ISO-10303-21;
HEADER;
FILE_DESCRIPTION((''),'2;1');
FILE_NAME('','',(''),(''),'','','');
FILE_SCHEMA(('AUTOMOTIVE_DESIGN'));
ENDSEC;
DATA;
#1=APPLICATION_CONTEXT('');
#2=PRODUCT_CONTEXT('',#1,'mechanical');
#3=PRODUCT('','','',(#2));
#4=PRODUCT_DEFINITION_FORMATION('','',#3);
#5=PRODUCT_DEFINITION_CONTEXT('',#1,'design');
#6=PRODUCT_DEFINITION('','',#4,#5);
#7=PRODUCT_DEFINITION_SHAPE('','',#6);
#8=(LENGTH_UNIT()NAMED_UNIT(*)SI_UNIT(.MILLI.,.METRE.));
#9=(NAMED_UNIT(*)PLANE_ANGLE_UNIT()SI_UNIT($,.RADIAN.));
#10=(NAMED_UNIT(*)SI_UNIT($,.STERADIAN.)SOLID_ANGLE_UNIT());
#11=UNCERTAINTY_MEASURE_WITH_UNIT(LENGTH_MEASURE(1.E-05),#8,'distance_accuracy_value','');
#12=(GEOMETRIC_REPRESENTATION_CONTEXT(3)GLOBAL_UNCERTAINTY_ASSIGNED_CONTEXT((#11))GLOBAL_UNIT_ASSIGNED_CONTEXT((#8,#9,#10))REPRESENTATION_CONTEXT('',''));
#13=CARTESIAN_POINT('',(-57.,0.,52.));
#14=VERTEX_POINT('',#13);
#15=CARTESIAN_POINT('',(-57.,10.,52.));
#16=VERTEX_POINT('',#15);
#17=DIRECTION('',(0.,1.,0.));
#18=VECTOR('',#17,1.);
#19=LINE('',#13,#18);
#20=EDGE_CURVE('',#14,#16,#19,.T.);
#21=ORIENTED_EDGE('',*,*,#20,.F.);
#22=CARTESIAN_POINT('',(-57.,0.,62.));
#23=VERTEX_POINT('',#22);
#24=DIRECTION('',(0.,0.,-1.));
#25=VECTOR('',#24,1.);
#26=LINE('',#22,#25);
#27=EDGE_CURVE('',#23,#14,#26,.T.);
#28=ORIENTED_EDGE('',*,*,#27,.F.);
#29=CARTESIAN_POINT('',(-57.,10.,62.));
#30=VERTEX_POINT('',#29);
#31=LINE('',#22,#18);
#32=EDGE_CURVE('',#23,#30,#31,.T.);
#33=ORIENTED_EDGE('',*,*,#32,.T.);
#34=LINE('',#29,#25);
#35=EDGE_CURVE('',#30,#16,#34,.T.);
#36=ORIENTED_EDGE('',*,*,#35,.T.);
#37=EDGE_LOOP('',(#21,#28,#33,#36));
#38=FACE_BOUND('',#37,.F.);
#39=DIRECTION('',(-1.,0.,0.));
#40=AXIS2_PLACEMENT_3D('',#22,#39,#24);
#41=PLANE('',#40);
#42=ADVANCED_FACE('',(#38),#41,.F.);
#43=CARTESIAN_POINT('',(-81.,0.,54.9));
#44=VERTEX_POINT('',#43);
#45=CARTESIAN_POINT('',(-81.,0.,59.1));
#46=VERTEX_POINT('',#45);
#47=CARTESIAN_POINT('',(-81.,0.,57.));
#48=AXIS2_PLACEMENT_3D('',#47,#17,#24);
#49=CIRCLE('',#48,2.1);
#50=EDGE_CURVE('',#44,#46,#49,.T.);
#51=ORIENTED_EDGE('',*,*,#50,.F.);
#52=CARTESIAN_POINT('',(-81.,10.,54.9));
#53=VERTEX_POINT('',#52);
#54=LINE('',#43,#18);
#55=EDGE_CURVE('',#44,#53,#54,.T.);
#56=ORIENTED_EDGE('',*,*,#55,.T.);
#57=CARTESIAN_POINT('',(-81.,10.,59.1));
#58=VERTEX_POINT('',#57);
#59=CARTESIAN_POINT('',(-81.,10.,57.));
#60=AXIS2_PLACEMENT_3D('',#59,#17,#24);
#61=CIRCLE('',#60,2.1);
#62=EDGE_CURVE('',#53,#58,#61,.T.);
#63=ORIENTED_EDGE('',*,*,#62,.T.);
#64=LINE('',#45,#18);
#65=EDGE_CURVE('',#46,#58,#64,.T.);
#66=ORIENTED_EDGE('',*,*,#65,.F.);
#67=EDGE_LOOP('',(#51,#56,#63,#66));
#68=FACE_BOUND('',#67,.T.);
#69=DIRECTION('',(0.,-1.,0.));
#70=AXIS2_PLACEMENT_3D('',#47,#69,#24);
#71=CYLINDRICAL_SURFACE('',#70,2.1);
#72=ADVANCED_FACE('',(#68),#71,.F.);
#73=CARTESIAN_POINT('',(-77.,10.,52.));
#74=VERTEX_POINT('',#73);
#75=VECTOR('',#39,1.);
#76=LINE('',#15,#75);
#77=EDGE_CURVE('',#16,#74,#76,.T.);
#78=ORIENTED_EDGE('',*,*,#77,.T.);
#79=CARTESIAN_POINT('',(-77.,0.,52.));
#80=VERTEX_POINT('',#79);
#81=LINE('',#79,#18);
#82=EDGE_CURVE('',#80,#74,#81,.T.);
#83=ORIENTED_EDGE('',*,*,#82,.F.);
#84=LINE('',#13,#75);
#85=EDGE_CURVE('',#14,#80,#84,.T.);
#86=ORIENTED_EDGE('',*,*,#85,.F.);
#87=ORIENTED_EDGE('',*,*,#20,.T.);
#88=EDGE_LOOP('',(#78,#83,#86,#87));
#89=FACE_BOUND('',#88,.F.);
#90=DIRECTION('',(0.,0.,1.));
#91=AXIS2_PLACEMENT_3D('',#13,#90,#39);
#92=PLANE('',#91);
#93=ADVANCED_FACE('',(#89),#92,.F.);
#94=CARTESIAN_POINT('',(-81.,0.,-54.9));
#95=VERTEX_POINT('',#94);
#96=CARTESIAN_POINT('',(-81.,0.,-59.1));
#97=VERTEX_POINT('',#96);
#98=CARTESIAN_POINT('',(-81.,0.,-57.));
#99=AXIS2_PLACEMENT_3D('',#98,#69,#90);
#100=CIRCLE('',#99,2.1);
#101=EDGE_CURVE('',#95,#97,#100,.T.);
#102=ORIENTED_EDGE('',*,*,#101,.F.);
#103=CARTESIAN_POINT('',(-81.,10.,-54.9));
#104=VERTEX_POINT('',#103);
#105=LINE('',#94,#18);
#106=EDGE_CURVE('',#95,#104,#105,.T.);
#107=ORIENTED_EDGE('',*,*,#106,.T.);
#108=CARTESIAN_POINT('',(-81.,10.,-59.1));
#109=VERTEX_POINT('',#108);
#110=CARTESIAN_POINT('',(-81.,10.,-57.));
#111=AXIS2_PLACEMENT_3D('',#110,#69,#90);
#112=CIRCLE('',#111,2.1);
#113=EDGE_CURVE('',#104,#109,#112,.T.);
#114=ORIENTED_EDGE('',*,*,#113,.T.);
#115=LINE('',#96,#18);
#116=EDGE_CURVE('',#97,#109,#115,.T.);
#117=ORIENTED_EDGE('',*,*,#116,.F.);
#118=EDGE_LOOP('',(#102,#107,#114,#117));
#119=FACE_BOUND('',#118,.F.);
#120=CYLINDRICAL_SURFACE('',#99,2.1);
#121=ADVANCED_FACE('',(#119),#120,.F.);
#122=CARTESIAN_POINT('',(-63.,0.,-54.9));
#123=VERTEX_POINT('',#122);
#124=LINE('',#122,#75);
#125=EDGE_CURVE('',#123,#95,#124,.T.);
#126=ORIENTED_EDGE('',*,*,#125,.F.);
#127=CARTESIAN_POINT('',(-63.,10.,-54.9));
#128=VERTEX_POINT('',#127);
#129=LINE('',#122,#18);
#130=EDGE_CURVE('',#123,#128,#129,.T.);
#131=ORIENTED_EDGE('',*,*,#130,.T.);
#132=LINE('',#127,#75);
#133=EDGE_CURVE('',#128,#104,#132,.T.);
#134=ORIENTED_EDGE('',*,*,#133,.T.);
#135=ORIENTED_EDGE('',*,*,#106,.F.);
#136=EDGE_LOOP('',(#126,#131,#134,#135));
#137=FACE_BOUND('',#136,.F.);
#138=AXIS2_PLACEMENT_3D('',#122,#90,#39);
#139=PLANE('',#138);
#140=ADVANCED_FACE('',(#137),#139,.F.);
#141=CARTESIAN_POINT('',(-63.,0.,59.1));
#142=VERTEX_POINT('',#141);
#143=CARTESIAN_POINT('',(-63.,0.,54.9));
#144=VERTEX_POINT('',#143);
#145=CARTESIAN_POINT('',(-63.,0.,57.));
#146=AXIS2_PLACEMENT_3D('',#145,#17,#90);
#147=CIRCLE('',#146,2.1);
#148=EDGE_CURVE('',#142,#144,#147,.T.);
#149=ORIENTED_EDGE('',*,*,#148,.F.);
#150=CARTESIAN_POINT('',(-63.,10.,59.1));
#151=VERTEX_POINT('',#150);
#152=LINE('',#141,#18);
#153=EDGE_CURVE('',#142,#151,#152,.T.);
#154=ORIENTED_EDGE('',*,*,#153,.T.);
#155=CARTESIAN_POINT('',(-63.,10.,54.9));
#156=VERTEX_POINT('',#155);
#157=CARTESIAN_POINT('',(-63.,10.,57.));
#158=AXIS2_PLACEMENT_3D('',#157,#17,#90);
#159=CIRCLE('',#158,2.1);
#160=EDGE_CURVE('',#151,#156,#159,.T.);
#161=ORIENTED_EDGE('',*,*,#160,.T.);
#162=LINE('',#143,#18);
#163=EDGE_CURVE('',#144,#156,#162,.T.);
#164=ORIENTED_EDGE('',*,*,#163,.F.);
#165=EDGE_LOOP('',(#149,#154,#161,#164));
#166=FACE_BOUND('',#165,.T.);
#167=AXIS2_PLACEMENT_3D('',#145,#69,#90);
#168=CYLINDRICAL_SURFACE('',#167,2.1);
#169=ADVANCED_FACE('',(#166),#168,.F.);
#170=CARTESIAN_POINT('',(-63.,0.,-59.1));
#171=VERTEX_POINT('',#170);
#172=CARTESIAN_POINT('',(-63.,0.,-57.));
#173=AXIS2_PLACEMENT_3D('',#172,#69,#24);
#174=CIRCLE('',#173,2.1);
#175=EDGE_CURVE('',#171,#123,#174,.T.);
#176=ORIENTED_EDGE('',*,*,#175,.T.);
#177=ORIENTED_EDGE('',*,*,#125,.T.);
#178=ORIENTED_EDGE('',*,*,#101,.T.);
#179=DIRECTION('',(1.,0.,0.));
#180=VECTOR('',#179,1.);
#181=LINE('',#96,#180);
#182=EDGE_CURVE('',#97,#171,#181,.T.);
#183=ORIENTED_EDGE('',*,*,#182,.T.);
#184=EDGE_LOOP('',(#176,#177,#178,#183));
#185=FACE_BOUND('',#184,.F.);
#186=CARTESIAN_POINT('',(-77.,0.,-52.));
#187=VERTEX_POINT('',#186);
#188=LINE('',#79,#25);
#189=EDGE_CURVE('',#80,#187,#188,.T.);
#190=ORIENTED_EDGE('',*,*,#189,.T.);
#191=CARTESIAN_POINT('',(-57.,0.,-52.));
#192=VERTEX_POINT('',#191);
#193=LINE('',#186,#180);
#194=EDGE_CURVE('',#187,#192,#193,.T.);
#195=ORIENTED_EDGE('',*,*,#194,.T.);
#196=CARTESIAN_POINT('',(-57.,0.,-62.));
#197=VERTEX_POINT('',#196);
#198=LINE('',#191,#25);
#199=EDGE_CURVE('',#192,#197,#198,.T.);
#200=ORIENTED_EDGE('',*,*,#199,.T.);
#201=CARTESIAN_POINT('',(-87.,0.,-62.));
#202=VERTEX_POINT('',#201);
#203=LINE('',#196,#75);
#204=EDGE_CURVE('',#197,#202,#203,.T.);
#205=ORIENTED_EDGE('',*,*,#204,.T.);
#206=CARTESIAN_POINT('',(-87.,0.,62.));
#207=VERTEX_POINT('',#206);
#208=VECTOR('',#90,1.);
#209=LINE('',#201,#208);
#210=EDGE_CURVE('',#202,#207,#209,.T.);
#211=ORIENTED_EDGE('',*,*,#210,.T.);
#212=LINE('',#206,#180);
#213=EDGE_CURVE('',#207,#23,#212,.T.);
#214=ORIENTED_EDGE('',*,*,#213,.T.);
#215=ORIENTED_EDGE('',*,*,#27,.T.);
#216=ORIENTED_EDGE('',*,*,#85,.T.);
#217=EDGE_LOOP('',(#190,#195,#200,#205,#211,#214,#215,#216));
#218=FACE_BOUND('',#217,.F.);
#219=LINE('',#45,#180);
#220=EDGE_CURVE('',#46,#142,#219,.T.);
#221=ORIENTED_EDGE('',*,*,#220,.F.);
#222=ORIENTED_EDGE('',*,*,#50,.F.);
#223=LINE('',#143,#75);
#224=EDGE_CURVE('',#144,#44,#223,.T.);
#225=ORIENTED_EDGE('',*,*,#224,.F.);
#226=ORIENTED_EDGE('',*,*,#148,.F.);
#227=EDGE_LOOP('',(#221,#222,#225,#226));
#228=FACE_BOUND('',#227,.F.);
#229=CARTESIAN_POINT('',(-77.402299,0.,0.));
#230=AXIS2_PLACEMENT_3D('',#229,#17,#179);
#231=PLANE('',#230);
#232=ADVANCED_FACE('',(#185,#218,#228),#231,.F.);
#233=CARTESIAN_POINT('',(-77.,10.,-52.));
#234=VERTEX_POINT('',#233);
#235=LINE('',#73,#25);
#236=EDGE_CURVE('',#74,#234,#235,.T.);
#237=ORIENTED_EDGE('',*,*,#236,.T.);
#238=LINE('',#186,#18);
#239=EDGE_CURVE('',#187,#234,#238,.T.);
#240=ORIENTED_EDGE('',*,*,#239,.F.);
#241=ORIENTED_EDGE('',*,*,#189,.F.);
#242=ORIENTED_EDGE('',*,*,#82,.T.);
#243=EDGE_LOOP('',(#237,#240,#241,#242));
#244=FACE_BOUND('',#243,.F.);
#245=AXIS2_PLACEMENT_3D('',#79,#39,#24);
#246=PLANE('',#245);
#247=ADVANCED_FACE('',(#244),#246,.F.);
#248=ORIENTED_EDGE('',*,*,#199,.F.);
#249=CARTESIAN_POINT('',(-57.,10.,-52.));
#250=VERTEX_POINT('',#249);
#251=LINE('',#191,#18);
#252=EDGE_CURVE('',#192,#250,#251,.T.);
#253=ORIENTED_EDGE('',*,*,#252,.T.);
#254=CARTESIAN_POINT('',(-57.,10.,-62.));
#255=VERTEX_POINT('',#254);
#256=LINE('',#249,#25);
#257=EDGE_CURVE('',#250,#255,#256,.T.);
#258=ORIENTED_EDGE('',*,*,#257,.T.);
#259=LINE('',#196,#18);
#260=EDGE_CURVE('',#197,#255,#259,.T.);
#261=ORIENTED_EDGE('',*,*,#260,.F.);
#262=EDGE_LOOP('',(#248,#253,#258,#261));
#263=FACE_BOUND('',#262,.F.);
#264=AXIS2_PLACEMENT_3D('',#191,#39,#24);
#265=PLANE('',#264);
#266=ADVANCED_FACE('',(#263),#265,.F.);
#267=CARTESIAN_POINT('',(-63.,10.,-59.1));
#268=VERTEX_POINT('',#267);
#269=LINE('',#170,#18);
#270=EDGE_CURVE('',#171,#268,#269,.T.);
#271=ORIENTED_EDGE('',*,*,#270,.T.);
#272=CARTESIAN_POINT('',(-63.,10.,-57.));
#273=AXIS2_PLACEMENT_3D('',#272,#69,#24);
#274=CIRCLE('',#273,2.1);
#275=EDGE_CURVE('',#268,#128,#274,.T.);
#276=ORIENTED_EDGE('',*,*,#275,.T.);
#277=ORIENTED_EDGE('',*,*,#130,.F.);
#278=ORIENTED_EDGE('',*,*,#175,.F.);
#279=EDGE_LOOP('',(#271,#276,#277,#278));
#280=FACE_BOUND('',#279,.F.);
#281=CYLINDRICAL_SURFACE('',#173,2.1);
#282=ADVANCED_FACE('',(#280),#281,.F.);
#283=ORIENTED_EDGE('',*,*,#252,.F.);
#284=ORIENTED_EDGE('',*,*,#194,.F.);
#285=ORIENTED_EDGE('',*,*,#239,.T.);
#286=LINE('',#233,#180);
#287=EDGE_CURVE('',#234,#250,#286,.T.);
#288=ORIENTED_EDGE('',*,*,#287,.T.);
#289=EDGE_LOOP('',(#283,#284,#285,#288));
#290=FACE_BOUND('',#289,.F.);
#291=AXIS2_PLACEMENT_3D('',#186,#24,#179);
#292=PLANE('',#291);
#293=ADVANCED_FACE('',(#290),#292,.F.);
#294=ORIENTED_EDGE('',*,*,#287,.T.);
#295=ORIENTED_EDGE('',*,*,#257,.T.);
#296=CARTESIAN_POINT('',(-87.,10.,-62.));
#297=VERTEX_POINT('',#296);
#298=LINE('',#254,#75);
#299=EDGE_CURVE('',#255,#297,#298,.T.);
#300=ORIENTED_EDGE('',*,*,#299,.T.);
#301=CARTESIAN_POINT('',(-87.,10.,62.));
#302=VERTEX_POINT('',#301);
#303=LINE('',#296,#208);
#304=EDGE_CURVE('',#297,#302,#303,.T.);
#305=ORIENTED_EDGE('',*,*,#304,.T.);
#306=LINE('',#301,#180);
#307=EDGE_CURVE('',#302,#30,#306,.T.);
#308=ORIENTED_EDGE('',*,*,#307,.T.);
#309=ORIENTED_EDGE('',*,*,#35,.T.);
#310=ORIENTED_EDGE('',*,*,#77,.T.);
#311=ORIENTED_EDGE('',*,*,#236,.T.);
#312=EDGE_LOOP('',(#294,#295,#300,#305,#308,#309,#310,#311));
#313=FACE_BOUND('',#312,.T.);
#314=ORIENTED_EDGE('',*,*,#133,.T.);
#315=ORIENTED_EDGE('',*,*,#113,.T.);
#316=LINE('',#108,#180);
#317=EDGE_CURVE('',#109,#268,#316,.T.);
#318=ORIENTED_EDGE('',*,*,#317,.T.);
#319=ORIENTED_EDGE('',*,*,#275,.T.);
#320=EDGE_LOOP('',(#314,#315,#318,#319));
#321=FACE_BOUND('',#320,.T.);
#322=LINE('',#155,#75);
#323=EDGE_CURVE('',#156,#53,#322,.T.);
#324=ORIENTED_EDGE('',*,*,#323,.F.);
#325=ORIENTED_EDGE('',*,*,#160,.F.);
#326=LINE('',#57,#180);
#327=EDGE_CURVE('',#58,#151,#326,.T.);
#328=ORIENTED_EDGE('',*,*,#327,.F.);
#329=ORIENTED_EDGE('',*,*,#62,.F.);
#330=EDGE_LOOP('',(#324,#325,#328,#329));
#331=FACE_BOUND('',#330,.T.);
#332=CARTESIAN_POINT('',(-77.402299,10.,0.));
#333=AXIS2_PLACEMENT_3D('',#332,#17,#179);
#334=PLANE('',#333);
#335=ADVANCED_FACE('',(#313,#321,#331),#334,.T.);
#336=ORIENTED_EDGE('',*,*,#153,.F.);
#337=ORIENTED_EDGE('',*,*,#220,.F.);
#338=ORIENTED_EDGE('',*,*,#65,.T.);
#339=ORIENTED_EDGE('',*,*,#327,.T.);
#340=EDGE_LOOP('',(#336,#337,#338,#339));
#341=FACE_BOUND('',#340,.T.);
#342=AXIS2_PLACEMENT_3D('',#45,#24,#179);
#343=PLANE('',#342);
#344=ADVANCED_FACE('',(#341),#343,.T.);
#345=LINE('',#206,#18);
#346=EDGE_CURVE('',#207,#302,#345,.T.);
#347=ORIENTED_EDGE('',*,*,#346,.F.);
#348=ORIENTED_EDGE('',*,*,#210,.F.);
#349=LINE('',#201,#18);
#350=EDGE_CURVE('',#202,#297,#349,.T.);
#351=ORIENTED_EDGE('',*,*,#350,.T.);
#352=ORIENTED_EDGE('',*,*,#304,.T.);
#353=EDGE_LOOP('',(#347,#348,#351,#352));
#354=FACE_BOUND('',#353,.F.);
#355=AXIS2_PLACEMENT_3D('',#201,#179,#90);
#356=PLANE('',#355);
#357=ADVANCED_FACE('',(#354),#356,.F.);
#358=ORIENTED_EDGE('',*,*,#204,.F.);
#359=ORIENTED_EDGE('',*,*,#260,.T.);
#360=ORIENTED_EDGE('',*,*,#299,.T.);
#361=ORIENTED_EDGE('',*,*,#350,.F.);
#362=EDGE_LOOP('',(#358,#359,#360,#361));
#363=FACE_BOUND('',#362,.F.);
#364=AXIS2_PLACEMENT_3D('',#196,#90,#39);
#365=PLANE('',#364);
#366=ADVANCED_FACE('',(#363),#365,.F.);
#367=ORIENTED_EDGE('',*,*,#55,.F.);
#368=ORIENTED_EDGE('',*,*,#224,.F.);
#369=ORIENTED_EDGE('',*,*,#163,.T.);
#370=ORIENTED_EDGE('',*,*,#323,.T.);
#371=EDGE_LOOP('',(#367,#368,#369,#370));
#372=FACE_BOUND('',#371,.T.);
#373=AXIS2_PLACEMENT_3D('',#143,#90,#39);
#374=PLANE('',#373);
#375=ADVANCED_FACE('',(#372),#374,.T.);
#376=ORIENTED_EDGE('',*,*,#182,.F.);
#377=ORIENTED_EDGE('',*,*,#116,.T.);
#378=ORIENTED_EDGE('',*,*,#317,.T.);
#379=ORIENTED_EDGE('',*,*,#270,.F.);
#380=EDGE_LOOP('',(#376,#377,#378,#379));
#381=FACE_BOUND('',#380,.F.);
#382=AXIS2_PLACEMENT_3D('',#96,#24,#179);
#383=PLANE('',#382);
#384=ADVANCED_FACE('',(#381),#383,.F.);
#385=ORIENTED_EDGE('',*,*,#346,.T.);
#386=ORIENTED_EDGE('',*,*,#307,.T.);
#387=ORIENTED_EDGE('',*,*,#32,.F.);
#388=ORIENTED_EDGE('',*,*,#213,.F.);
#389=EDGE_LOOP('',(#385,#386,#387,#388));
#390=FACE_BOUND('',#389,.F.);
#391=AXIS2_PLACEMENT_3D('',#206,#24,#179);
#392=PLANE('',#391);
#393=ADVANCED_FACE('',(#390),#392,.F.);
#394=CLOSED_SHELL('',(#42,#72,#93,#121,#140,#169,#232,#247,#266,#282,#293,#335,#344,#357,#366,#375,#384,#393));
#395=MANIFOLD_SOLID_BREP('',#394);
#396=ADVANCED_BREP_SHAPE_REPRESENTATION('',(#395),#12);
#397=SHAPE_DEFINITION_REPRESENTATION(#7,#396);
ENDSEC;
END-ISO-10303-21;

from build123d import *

# Parameters (mm, degrees)
BOSS_EXTRU_3_DEPTH = 10


with BuildPart() as part:
    # Esquisse5 → Boss.-Extru.3 (new body)
    with BuildSketch(Plane(origin=(0, 0, 0), x_dir=(1, 0, 0), z_dir=(0, 1, 0))):
        Polygon((-57, 52), (-57, 62), (-87, 62), (-87, -62), (-57, -62), (-57, -52), (-77, -52), (-77, 52), align=None)
        with BuildLine():
            Line((-81, 59.1), (-63, 59.1))
            ThreePointArc((-63, 59.1), (-60.9, 57), (-63, 54.9))
            Line((-63, 54.9), (-81, 54.9))
            ThreePointArc((-81, 54.9), (-83.1, 57), (-81, 59.1))
        make_face(mode=Mode.SUBTRACT)
        with BuildLine():
            Line((-81, -59.1), (-63, -59.1))
            ThreePointArc((-63, -59.1), (-60.9, -57), (-63, -54.9))
            Line((-63, -54.9), (-81, -54.9))
            ThreePointArc((-81, -54.9), (-83.1, -57), (-81, -59.1))
        make_face(mode=Mode.SUBTRACT)
    extrude(amount=BOSS_EXTRU_3_DEPTH)


solid = part.part
